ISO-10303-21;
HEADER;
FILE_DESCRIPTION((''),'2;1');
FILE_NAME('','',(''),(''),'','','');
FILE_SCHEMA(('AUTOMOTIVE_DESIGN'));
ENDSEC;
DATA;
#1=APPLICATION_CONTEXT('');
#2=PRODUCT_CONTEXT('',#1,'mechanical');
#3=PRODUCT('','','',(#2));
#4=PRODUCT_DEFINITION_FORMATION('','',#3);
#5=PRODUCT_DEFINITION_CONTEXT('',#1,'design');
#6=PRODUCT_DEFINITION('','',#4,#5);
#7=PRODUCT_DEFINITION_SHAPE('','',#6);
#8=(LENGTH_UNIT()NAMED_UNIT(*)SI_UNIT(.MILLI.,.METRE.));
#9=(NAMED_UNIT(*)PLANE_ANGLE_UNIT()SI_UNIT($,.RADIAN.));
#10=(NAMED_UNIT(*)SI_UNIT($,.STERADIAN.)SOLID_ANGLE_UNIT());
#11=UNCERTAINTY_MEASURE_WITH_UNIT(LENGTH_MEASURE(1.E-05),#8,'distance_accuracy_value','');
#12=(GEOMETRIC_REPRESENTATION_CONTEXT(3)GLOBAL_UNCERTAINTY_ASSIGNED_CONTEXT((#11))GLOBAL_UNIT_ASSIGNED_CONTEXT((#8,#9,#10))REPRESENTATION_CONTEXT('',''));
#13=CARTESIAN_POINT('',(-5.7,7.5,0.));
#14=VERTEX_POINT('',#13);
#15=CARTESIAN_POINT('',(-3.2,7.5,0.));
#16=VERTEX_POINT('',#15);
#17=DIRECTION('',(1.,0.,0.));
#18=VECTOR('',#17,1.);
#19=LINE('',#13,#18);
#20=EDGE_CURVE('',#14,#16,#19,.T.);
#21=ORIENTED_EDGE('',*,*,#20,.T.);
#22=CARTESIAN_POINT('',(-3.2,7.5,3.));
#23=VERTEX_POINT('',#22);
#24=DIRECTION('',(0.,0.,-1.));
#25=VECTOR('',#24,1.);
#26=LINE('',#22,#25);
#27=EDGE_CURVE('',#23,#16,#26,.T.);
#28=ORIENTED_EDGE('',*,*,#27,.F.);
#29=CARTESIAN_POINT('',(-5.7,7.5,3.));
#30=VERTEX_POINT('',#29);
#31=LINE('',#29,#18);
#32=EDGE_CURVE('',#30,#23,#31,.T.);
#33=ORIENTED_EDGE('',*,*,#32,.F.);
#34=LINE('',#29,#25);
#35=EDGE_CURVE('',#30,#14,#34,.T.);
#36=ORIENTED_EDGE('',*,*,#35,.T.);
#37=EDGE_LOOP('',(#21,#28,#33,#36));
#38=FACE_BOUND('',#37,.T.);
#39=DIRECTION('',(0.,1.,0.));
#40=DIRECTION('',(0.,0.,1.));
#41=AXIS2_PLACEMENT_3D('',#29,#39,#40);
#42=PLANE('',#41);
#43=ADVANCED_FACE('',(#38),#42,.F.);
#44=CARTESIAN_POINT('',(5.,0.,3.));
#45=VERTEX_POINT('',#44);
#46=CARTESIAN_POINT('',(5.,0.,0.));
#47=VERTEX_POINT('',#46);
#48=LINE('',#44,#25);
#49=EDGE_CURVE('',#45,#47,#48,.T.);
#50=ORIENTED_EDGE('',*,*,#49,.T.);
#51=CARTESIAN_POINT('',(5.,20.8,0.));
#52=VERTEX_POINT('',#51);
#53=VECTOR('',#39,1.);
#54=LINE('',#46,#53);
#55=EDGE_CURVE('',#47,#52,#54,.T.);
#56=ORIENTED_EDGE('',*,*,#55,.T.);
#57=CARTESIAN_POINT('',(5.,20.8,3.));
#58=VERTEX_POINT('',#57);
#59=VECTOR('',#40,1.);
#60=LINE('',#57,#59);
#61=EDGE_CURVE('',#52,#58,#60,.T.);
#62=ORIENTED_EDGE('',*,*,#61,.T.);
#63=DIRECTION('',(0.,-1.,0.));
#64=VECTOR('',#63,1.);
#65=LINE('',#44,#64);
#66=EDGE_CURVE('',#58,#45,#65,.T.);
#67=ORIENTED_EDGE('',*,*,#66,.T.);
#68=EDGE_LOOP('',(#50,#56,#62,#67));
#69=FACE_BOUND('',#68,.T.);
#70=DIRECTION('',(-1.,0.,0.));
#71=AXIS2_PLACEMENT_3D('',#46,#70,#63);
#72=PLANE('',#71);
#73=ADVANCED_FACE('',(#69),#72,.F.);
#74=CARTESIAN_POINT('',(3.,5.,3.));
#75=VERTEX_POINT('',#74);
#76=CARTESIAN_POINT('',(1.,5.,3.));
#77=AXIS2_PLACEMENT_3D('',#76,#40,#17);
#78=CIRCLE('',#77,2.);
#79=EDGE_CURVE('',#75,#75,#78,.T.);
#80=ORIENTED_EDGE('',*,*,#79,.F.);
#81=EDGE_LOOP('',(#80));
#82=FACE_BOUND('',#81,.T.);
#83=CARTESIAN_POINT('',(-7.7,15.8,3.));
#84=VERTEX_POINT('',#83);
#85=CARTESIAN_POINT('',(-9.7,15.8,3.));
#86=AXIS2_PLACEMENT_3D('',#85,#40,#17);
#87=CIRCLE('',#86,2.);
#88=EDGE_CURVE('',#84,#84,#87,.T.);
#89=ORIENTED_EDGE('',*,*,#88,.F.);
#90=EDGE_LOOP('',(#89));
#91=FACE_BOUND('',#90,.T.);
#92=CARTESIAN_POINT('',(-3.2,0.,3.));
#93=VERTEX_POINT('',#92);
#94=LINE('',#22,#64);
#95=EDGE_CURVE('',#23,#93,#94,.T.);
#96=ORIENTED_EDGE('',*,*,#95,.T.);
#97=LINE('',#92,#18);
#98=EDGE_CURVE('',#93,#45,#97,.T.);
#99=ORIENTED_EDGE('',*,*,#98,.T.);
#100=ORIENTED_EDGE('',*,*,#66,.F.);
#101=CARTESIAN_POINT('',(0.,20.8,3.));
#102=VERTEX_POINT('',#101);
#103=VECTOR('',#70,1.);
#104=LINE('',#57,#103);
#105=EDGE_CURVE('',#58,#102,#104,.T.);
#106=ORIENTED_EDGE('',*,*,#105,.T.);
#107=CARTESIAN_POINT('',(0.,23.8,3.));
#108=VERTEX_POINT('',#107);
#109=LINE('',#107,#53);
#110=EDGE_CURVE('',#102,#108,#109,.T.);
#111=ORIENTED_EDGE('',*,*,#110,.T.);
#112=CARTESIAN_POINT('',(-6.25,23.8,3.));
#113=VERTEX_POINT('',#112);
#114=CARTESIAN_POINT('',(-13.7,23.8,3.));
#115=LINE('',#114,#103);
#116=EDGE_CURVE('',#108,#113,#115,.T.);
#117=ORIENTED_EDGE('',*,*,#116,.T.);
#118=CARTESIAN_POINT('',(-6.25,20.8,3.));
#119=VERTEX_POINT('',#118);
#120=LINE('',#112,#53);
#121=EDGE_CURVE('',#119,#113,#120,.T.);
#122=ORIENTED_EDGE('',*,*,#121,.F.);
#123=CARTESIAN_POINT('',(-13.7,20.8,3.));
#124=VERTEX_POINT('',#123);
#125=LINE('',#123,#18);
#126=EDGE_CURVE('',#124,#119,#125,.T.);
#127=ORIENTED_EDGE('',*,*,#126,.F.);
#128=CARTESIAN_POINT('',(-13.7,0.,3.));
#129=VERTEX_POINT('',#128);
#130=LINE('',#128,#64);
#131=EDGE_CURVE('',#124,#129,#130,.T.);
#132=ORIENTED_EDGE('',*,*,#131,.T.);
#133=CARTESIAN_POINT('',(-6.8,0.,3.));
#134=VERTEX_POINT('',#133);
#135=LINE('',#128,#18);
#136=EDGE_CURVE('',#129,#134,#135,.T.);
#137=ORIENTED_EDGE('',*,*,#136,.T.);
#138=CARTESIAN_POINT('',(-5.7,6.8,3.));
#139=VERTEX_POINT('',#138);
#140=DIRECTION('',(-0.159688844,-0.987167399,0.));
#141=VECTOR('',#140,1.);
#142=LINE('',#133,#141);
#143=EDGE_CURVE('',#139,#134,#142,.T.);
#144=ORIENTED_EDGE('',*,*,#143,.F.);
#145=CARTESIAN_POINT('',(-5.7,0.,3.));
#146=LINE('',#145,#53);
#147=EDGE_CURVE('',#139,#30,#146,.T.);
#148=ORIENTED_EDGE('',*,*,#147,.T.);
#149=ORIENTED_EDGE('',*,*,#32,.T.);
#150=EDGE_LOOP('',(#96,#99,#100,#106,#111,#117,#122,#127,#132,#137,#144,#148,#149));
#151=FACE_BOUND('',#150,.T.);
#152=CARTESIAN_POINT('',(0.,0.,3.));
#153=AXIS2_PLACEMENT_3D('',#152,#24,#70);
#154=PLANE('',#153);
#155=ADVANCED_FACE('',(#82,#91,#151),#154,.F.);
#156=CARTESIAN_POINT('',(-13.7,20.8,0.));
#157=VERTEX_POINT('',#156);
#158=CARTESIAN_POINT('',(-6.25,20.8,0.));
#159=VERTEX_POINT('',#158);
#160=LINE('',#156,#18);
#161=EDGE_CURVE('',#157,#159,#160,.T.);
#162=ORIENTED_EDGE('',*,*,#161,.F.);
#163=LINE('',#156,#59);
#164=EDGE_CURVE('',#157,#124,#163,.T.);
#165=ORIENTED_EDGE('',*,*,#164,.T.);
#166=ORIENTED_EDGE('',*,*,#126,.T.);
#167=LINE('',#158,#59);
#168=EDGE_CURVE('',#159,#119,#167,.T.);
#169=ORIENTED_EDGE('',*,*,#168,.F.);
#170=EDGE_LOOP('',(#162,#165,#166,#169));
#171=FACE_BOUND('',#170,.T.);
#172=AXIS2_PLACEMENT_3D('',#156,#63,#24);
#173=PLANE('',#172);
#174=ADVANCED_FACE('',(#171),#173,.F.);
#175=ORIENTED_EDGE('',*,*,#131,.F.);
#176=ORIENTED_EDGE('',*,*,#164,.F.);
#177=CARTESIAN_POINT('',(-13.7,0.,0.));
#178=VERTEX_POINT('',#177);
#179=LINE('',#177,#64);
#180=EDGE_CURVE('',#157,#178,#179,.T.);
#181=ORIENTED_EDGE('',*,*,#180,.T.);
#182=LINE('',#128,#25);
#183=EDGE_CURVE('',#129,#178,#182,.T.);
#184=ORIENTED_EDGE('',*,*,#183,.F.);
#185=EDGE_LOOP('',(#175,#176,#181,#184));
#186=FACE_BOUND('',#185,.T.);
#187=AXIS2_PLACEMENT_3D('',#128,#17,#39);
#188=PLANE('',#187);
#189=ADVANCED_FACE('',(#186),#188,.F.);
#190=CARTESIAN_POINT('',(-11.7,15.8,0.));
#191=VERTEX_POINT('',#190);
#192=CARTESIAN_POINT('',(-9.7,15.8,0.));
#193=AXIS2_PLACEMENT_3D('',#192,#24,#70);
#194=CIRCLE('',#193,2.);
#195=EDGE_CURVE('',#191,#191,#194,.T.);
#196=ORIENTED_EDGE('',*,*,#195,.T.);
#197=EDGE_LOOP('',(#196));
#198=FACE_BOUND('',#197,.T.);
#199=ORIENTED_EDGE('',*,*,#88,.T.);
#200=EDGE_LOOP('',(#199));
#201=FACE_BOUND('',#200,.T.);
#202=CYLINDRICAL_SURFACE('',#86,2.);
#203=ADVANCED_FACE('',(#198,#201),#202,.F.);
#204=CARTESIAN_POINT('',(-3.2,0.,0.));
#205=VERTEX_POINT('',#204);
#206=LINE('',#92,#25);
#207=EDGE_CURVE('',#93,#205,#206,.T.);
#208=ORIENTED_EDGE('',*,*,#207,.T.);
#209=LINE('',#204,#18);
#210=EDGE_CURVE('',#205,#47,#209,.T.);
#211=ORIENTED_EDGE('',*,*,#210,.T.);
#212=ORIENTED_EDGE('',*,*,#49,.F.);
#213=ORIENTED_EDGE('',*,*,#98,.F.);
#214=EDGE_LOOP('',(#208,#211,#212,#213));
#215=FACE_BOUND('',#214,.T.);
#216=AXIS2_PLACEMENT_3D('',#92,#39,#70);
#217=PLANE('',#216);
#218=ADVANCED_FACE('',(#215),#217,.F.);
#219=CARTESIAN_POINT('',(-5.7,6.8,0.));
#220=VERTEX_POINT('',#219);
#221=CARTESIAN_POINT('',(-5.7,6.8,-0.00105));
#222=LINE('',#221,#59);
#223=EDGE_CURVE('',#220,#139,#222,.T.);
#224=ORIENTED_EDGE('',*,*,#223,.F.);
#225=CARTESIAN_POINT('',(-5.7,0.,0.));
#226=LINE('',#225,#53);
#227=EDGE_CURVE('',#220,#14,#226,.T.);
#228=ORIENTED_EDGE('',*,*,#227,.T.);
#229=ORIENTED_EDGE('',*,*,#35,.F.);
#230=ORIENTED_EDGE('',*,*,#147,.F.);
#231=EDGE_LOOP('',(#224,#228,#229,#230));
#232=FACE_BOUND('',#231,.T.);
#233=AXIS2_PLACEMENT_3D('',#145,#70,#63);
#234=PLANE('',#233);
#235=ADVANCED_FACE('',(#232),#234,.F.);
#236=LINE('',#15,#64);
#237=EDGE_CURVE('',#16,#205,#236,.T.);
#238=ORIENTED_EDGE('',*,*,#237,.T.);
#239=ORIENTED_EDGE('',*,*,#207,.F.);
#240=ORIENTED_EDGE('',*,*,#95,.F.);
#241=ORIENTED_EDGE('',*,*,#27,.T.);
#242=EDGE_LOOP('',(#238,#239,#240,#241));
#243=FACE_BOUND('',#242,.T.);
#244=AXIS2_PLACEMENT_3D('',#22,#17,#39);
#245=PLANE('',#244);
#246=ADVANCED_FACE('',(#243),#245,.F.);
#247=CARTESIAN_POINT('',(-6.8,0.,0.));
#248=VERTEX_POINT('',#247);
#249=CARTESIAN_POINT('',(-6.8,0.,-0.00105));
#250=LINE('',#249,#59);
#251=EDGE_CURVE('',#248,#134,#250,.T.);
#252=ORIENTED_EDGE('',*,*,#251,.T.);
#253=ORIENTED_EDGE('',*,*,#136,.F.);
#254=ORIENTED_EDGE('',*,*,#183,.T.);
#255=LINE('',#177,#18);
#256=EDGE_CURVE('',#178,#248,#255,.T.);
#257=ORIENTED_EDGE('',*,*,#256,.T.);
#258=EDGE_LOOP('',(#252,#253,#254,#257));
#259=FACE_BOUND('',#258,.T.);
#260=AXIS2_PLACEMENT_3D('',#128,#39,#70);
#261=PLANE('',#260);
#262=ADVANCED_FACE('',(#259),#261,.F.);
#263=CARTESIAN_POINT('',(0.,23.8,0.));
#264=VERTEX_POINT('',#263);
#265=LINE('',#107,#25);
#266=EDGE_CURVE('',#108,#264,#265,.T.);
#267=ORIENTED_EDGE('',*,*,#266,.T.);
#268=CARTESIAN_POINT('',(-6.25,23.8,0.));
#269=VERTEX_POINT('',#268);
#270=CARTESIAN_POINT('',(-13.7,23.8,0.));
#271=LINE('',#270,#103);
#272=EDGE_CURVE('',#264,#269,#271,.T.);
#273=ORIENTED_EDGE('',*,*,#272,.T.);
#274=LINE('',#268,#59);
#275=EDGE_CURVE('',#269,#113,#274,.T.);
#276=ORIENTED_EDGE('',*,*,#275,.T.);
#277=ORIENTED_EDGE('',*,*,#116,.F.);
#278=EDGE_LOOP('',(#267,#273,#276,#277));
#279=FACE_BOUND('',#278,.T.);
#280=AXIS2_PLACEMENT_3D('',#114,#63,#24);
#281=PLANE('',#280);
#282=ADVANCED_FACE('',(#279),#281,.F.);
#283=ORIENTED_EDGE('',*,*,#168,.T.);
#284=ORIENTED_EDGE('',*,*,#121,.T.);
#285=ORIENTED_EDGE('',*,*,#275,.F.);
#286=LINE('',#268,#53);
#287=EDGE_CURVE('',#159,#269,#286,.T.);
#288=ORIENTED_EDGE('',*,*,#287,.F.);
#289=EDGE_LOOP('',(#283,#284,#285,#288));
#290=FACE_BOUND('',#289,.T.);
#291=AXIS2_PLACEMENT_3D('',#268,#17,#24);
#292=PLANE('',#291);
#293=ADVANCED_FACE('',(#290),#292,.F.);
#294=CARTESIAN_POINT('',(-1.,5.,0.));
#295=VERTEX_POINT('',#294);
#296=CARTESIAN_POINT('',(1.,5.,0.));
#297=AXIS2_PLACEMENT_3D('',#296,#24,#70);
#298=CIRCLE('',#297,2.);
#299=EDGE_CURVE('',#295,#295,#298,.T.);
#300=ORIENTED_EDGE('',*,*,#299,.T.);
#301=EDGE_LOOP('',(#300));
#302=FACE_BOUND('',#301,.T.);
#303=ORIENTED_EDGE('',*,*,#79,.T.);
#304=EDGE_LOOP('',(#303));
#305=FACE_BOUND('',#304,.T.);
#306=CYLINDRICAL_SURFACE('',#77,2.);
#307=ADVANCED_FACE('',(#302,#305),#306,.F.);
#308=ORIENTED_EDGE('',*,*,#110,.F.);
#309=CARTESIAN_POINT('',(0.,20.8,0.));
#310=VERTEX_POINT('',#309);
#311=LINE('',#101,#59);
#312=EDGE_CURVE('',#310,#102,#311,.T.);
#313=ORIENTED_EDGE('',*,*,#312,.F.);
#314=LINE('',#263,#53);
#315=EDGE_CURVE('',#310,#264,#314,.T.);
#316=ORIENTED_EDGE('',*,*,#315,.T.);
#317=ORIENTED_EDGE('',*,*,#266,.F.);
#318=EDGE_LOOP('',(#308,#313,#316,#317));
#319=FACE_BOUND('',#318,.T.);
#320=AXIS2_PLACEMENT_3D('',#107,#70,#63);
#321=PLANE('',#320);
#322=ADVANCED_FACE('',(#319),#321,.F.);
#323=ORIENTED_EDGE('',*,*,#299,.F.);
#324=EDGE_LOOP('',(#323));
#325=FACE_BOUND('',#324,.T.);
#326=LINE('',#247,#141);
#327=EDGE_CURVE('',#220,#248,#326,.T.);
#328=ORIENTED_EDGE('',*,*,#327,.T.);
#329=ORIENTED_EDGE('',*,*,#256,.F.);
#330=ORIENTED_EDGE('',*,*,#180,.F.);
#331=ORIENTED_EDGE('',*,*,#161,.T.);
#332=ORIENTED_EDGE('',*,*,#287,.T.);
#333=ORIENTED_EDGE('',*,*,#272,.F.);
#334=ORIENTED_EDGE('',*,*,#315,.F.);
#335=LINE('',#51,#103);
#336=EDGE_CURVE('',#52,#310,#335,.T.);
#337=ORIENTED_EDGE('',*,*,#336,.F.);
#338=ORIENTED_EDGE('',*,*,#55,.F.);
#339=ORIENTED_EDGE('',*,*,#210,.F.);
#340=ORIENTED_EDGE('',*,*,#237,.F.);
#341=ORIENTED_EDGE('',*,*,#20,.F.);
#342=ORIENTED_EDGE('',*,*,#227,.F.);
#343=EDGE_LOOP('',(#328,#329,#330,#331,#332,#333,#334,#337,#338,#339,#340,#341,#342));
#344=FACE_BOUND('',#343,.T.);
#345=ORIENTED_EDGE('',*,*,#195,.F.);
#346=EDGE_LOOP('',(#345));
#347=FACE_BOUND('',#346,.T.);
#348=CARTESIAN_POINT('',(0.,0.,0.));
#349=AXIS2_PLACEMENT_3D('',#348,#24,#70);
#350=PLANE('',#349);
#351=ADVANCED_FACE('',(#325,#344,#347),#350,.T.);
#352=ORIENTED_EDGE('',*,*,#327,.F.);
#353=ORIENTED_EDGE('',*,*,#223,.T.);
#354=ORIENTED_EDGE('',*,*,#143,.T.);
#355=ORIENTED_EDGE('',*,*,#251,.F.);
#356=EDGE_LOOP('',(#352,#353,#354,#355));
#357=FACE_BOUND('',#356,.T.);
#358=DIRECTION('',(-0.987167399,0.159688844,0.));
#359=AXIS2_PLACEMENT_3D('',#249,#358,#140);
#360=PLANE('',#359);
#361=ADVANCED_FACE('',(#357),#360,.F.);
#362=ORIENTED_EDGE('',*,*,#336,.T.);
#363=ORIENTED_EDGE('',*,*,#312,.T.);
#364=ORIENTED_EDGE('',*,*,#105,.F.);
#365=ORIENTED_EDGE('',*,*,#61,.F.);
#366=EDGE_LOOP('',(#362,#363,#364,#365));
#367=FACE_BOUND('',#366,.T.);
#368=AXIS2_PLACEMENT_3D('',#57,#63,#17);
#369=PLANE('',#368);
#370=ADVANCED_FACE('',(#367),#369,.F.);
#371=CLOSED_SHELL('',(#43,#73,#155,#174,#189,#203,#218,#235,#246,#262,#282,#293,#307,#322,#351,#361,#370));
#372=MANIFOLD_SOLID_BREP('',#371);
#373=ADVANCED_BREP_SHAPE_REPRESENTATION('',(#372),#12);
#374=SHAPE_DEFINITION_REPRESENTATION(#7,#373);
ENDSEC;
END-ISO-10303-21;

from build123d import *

# Parameters (mm, degrees)
BOSS_EXTRUDE1_DEPTH          = 3
SKETCH2_W                    = 7.45
SKETCH2_H                    = 3
CUT_EXTRUDE1_DEPTH           = 3
SKETCH3_W                    = 3
SKETCH3_H                    = 20.8
BOSS_EXTRUDE2_DEPTH          = 5
CUT_EXTRUDE2_REACH           = 5
F_4_0_4_DIAMETER_HOLE1_D     = 4
F_4_0_4_DIAMETER_HOLE1_DEPTH = 3


with BuildPart() as part:
    # Sketch1 → Boss-Extrude1 (new body)
    with BuildSketch(Plane.XY):
        Polygon((-13.7, 0), (-5.7, 0), (-5.7, 7.5), (-3.2, 7.5), (-3.2, 0), (0, 0), (0, 23.8), (-13.7, 23.8), align=None)
    extrude(amount=BOSS_EXTRUDE1_DEPTH)

    # Sketch2 → Cut-Extrude1 (cut)
    with BuildSketch(Plane.XY.offset(3)):
        with Locations((-9.975, 22.3)):
            Rectangle(SKETCH2_W, SKETCH2_H)
    extrude(amount=-CUT_EXTRUDE1_DEPTH, mode=Mode.SUBTRACT)

    # Sketch3 → Boss-Extrude2 (add)
    with BuildSketch(Plane(origin=(0, 0, 0), x_dir=(0, 0, -1), z_dir=(1, 0, 0))):
        with Locations((-1.5, 10.4)):
            Rectangle(SKETCH3_W, SKETCH3_H)
    extrude(amount=BOSS_EXTRUDE2_DEPTH)

    # Sketch4 → Cut-Extrude2 (cut, up to next)
    with BuildSketch(Plane.XY.offset(3), mode=Mode.PRIVATE) as cut_extrude2_sk1:
        Polygon((-5.7, 0), (-6.8, 0), (-5.7, 6.8), align=None)
    cut_extrude2_tool1 = extrude(cut_extrude2_sk1.sketch, amount=-CUT_EXTRUDE2_REACH, mode=Mode.PRIVATE) & part.part
    add(cut_extrude2_tool1.solids().sort_by_distance((-6.066667, 2.266667, 3))[0], mode=Mode.SUBTRACT)

    # Ø4.0 (4) Diameter Hole1
    with Locations(Plane.XY.offset(3)):
        with Locations((-9.7, 15.8), (1, 5)):
            Hole(F_4_0_4_DIAMETER_HOLE1_D / 2, depth=F_4_0_4_DIAMETER_HOLE1_DEPTH)


solid = part.part
